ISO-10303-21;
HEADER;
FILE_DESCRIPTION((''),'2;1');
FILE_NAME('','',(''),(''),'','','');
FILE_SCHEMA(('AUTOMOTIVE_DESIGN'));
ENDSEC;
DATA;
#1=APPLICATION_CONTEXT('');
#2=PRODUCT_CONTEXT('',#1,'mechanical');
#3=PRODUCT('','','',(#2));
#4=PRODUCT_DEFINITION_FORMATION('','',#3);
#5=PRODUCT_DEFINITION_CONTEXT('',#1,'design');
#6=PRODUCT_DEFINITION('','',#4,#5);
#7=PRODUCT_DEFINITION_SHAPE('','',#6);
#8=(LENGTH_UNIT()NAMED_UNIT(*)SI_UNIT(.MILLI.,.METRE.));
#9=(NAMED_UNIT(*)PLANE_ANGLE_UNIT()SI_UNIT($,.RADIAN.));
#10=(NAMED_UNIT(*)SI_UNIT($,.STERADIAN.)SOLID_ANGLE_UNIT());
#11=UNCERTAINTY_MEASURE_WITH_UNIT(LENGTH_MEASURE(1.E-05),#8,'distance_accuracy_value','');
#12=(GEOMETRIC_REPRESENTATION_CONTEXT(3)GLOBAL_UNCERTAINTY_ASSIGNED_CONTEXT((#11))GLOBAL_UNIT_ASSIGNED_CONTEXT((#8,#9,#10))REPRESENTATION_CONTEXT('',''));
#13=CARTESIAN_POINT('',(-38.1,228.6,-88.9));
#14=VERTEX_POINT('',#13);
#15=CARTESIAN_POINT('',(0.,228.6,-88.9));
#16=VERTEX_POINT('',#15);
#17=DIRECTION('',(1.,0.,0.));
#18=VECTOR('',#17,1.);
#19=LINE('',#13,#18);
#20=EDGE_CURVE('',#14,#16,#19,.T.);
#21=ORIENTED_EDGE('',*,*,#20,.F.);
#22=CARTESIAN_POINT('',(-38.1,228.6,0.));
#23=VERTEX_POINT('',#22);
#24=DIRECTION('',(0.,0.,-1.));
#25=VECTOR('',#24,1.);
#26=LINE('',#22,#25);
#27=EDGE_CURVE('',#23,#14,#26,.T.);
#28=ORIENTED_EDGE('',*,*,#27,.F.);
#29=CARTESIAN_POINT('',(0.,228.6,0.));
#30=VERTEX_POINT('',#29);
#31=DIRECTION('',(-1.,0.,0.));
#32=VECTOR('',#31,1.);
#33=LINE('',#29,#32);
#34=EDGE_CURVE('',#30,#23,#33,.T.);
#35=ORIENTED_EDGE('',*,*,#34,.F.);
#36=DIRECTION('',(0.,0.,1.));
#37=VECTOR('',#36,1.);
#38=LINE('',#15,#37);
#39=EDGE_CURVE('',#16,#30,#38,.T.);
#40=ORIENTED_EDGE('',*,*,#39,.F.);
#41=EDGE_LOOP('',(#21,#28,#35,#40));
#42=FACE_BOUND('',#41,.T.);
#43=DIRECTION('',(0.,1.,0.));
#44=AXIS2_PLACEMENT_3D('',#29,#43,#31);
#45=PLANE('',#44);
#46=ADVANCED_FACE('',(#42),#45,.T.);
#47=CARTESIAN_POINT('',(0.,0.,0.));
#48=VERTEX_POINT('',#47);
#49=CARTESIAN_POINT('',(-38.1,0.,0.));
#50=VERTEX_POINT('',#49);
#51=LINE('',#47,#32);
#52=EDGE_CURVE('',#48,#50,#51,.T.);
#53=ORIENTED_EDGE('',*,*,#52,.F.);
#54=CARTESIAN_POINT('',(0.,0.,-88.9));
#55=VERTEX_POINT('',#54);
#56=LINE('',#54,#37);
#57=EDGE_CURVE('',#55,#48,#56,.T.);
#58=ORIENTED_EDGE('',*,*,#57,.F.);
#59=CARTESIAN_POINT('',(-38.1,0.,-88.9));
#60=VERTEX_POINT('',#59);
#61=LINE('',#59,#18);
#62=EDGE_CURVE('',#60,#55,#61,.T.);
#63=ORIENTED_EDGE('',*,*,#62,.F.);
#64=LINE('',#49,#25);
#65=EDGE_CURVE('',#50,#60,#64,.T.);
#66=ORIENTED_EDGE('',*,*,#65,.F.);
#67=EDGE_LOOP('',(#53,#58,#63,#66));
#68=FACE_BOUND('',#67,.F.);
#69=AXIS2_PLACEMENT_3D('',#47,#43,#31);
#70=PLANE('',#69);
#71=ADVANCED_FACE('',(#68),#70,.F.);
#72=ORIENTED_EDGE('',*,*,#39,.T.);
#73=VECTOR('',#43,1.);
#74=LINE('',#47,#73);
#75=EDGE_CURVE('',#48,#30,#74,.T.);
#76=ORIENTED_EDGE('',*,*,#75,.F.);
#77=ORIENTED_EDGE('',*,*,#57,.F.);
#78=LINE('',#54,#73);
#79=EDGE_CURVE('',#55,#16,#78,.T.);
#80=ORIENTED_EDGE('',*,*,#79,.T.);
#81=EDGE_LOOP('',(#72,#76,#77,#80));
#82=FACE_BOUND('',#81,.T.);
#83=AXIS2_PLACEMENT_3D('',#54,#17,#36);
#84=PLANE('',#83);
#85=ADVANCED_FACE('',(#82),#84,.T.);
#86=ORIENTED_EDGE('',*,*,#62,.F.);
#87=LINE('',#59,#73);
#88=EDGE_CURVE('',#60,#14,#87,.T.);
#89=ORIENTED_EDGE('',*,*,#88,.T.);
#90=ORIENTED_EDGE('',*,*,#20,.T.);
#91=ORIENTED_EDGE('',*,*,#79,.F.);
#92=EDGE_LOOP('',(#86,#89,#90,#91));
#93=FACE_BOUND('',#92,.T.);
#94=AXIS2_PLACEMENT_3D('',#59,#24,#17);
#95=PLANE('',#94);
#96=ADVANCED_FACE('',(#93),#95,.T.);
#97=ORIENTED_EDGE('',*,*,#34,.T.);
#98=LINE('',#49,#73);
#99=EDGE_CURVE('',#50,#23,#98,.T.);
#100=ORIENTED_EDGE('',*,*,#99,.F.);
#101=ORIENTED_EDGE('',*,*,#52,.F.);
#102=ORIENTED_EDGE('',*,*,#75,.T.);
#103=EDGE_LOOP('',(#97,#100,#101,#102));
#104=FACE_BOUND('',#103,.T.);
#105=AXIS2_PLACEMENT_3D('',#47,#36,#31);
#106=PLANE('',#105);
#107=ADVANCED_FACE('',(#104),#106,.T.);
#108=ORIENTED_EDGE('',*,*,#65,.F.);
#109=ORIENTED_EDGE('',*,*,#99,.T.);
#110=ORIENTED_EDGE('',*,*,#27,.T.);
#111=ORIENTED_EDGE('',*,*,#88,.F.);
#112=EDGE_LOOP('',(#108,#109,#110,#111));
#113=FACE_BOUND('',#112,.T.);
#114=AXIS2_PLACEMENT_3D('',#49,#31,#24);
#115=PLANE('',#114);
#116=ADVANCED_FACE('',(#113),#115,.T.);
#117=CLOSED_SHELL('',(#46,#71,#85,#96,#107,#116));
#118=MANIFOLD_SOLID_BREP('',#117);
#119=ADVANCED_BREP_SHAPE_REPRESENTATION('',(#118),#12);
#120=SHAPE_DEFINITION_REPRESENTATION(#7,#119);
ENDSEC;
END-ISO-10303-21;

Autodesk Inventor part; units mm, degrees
ref_plane "YZ Plane" through (0, 0, 0) normal (1, 0, 0) x (0, 1, 0)
ref_plane "XZ Plane" through (0, 0, 0) normal (0, 1, 0) x (-1, 0, 0)
ref_plane "XY Plane" through (0, 0, 0) normal (0, 0, 1) x (1, 0, 0)
sketch "Sketch1" plane through (0, 0, 0) normal (0, 1, 0) x (-1, 0, 0)
  line L0 (0, 0) -> (38.1, 0)
  line L1 (38.1, 0) -> (38.1, -88.9)
  line L2 (38.1, -88.9) -> (0, -88.9)
  line L3 (0, -88.9) -> (0, 0)
  dimension "d0" = 88.9
  dimension "d1" = 38.1
extrude "Extrusion1" add sketch "Sketch1" along normal blind 228.6
properties part number "Stud_With_Height_6.75_Inches" material "Wood (Birch)"
